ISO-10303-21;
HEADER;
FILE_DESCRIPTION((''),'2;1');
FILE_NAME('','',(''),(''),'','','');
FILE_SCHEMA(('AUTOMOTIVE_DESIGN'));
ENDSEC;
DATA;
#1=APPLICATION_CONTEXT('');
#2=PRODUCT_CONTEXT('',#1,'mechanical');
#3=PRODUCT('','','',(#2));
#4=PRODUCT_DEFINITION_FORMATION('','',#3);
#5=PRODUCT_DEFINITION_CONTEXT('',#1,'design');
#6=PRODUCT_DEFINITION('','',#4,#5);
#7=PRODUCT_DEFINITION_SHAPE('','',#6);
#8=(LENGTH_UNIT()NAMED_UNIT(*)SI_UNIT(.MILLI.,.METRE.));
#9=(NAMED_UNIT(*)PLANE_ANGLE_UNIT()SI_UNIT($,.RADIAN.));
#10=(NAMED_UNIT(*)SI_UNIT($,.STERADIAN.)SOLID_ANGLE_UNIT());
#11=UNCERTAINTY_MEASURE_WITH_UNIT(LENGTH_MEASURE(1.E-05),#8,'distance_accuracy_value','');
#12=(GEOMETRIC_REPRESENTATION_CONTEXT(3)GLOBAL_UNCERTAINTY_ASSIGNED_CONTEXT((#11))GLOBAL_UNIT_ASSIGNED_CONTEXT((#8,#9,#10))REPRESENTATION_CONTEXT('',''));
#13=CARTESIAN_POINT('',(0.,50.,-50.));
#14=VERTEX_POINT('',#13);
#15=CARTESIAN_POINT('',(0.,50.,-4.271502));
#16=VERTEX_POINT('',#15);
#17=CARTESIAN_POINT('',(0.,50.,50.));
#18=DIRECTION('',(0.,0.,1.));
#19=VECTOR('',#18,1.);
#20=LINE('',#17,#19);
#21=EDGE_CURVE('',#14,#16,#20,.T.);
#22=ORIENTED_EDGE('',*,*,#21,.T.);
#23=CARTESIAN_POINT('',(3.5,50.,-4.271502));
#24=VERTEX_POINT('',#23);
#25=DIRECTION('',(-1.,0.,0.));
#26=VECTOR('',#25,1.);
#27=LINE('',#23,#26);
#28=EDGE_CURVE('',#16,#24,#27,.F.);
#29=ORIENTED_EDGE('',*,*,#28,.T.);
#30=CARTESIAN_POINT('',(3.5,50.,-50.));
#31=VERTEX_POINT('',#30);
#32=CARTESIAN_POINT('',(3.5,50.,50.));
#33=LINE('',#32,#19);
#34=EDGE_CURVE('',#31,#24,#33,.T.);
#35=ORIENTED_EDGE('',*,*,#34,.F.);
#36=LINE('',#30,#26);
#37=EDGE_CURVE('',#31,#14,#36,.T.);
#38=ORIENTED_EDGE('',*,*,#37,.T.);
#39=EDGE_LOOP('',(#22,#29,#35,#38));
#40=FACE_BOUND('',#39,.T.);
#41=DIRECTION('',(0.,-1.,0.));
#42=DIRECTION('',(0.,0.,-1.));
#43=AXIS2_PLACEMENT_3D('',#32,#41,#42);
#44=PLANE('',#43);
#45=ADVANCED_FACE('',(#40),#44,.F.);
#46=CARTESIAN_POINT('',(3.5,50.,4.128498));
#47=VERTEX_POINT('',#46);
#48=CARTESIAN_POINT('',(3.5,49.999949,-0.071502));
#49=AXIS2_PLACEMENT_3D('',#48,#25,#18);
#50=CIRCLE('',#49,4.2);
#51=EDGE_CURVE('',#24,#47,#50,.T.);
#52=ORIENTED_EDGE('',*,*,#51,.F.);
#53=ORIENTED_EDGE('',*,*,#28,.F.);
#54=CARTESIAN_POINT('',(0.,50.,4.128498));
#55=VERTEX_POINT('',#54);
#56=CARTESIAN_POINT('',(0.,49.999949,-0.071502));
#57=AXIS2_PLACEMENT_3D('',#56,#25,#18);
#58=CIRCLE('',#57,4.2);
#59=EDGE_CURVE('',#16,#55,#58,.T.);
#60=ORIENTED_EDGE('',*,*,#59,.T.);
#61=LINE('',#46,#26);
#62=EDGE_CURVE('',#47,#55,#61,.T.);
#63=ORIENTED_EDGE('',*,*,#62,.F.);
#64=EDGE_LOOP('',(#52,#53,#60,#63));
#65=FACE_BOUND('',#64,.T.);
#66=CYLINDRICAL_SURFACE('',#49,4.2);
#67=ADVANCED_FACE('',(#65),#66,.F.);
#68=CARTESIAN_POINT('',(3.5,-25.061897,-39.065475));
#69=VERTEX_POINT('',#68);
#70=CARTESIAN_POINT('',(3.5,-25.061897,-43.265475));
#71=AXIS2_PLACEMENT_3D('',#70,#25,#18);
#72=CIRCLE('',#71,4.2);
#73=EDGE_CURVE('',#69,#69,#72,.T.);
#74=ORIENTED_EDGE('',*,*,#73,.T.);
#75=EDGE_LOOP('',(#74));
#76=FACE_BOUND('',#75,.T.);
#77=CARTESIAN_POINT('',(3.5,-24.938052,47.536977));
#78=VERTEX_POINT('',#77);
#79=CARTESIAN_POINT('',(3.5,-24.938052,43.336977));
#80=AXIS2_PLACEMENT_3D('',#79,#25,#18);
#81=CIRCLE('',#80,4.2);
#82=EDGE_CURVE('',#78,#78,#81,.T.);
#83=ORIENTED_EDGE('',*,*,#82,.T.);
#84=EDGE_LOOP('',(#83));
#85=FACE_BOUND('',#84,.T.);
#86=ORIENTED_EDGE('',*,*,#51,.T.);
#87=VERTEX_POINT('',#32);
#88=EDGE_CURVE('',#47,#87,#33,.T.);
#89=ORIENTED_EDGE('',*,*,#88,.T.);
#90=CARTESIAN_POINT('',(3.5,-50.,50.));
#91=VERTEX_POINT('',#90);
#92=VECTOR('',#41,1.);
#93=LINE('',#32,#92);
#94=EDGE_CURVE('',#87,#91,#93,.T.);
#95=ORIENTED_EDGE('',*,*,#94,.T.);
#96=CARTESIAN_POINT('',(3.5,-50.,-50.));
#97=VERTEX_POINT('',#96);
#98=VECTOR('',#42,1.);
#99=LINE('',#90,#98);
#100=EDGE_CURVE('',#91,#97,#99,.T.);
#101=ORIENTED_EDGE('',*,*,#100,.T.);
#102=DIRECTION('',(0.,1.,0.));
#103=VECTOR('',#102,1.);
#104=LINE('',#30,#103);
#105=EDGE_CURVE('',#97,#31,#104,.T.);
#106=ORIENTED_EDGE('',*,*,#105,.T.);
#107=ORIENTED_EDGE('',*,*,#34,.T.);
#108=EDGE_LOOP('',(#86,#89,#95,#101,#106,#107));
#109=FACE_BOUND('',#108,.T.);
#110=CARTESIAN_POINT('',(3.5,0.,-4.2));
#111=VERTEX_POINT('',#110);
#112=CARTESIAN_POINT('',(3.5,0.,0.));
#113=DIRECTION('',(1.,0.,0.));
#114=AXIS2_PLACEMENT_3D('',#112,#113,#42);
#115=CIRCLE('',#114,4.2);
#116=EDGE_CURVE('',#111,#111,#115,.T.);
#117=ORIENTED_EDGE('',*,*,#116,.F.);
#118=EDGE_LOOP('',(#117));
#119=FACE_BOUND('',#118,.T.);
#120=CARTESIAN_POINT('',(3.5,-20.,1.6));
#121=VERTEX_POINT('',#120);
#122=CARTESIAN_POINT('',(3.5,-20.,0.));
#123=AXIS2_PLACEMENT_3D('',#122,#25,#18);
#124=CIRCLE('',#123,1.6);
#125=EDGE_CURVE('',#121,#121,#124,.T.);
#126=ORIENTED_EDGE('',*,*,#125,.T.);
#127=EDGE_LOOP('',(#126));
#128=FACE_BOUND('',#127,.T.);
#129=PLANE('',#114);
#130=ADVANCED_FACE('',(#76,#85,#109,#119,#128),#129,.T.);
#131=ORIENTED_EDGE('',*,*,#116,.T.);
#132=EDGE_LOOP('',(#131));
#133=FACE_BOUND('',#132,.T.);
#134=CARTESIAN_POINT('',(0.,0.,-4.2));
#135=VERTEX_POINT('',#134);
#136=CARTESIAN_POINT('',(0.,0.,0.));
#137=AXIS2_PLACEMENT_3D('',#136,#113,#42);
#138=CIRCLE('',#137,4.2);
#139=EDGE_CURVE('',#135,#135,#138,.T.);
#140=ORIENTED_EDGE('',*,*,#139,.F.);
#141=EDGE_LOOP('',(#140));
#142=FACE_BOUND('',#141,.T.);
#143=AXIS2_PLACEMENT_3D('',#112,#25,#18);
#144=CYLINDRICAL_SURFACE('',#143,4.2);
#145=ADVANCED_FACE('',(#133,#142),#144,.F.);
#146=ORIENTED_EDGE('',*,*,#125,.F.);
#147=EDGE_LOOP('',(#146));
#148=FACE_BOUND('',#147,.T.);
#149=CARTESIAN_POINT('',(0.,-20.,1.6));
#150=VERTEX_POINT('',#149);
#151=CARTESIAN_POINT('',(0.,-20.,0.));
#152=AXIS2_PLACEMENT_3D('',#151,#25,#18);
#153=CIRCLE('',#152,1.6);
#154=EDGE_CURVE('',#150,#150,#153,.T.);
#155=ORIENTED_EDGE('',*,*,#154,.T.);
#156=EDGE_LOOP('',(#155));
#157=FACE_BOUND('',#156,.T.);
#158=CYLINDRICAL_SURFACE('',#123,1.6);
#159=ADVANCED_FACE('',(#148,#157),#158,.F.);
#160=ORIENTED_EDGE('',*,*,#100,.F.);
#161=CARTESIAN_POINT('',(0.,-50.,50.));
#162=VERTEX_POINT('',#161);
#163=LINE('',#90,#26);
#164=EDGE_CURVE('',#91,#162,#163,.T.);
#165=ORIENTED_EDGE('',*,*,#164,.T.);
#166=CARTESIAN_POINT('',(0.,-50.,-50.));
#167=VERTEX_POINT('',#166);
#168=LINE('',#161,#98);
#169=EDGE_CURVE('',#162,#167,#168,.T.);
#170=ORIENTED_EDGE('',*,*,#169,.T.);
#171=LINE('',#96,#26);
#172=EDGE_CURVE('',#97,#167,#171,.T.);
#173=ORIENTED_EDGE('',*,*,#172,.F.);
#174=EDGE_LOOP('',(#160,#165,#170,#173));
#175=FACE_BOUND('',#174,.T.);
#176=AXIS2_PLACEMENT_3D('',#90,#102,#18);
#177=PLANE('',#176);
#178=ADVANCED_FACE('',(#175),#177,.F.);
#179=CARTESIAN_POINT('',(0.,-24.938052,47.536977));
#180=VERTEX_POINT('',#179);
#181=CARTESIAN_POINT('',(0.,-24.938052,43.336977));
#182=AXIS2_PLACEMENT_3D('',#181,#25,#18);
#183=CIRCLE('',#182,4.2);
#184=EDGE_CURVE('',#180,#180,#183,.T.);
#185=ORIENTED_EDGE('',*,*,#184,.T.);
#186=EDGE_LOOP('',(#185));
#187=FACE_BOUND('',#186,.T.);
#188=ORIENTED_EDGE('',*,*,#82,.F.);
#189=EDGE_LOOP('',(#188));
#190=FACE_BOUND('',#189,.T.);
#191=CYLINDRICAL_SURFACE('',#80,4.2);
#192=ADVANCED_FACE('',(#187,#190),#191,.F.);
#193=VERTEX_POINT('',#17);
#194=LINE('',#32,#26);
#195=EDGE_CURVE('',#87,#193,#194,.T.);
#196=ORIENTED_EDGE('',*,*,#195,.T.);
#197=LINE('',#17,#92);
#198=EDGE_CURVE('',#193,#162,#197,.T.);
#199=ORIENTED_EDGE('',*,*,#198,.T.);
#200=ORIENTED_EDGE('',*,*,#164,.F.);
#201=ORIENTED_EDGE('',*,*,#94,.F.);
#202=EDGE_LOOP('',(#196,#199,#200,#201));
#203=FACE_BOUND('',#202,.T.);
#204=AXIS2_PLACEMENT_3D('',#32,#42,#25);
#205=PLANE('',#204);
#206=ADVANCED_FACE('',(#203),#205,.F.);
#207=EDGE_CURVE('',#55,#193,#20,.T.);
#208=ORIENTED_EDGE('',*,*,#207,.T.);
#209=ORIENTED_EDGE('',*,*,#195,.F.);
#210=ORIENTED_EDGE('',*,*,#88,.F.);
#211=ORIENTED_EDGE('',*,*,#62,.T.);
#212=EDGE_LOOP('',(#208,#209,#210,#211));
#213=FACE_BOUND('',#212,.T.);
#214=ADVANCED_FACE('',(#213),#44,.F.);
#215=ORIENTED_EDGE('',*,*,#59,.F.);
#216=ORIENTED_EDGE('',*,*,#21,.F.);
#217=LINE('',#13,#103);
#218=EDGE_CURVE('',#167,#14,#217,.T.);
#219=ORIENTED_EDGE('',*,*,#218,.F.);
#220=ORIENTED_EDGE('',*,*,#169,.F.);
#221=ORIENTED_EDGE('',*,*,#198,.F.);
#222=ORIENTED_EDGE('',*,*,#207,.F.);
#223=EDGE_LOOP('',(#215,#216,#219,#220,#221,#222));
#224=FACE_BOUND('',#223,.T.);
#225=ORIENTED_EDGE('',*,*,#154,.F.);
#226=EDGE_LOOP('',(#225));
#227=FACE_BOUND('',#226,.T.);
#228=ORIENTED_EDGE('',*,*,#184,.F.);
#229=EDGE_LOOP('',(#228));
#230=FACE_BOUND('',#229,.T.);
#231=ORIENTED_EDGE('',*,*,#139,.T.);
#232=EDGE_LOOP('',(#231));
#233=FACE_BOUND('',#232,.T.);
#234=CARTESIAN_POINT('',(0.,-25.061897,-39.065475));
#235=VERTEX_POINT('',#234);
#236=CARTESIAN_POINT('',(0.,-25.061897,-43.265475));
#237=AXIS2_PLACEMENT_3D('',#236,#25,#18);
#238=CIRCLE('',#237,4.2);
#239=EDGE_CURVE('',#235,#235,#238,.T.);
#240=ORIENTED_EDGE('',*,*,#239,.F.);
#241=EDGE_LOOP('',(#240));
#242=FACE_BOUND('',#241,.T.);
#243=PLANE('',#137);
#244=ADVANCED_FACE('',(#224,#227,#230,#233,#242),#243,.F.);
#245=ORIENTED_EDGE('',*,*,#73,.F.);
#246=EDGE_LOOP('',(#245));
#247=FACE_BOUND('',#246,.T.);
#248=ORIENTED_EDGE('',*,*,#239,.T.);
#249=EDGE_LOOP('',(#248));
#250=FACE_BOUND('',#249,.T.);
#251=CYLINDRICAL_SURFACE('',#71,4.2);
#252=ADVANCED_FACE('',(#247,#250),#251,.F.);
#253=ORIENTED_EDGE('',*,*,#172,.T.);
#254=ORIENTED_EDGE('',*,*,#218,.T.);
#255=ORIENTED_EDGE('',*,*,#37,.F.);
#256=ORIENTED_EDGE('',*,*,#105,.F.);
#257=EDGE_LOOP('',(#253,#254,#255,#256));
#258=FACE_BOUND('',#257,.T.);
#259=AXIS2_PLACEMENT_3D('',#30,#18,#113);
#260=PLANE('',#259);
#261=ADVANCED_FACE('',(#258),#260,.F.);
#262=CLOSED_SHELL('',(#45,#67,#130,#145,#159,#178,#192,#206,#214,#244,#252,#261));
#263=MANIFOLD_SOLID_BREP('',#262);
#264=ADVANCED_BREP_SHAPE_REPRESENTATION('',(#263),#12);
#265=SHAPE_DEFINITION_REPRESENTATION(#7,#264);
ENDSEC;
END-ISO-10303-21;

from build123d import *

# Parameters (mm, degrees)
SKETCH2_W           = 100
SKETCH2_H           = 100
SKETCH2_R           = 4.2
BOSS_EXTRUDE1_DEPTH = 3.5
SKETCH3_R           = 4.2
CUT_EXTRUDE1_DEPTH  = 71.797245709
SKETCH4_R           = 1.6
CUT_EXTRUDE2_DEPTH  = 71.797245709


with BuildPart() as part:
    # Sketch2 → Boss-Extrude1 (new body)
    with BuildSketch(Plane(origin=(0, 0, 0), x_dir=(0, 0, -1), z_dir=(1, 0, 0))):
        Rectangle(SKETCH2_W, SKETCH2_H)
        Circle(SKETCH2_R, mode=Mode.SUBTRACT)
    extrude(amount=BOSS_EXTRUDE1_DEPTH)

    # Sketch3 → Cut-Extrude1 (cut, through all)
    with BuildSketch(Plane.ZY):
        with Locations((43.336976945, -24.938051834)):
            Circle(SKETCH3_R)
        with Locations((-43.265474881, -25.061897041)):
            Circle(SKETCH3_R)
        with Locations((-0.071502064, 49.999948875)):
            Circle(SKETCH3_R)
    extrude(amount=-CUT_EXTRUDE1_DEPTH, mode=Mode.SUBTRACT)

    # Sketch4 → Cut-Extrude2 (cut, through all)
    with BuildSketch(Plane.ZY):
        with Locations((0, -20)):
            Circle(SKETCH4_R)
    extrude(amount=-CUT_EXTRUDE2_DEPTH, mode=Mode.SUBTRACT)


solid = part.part
